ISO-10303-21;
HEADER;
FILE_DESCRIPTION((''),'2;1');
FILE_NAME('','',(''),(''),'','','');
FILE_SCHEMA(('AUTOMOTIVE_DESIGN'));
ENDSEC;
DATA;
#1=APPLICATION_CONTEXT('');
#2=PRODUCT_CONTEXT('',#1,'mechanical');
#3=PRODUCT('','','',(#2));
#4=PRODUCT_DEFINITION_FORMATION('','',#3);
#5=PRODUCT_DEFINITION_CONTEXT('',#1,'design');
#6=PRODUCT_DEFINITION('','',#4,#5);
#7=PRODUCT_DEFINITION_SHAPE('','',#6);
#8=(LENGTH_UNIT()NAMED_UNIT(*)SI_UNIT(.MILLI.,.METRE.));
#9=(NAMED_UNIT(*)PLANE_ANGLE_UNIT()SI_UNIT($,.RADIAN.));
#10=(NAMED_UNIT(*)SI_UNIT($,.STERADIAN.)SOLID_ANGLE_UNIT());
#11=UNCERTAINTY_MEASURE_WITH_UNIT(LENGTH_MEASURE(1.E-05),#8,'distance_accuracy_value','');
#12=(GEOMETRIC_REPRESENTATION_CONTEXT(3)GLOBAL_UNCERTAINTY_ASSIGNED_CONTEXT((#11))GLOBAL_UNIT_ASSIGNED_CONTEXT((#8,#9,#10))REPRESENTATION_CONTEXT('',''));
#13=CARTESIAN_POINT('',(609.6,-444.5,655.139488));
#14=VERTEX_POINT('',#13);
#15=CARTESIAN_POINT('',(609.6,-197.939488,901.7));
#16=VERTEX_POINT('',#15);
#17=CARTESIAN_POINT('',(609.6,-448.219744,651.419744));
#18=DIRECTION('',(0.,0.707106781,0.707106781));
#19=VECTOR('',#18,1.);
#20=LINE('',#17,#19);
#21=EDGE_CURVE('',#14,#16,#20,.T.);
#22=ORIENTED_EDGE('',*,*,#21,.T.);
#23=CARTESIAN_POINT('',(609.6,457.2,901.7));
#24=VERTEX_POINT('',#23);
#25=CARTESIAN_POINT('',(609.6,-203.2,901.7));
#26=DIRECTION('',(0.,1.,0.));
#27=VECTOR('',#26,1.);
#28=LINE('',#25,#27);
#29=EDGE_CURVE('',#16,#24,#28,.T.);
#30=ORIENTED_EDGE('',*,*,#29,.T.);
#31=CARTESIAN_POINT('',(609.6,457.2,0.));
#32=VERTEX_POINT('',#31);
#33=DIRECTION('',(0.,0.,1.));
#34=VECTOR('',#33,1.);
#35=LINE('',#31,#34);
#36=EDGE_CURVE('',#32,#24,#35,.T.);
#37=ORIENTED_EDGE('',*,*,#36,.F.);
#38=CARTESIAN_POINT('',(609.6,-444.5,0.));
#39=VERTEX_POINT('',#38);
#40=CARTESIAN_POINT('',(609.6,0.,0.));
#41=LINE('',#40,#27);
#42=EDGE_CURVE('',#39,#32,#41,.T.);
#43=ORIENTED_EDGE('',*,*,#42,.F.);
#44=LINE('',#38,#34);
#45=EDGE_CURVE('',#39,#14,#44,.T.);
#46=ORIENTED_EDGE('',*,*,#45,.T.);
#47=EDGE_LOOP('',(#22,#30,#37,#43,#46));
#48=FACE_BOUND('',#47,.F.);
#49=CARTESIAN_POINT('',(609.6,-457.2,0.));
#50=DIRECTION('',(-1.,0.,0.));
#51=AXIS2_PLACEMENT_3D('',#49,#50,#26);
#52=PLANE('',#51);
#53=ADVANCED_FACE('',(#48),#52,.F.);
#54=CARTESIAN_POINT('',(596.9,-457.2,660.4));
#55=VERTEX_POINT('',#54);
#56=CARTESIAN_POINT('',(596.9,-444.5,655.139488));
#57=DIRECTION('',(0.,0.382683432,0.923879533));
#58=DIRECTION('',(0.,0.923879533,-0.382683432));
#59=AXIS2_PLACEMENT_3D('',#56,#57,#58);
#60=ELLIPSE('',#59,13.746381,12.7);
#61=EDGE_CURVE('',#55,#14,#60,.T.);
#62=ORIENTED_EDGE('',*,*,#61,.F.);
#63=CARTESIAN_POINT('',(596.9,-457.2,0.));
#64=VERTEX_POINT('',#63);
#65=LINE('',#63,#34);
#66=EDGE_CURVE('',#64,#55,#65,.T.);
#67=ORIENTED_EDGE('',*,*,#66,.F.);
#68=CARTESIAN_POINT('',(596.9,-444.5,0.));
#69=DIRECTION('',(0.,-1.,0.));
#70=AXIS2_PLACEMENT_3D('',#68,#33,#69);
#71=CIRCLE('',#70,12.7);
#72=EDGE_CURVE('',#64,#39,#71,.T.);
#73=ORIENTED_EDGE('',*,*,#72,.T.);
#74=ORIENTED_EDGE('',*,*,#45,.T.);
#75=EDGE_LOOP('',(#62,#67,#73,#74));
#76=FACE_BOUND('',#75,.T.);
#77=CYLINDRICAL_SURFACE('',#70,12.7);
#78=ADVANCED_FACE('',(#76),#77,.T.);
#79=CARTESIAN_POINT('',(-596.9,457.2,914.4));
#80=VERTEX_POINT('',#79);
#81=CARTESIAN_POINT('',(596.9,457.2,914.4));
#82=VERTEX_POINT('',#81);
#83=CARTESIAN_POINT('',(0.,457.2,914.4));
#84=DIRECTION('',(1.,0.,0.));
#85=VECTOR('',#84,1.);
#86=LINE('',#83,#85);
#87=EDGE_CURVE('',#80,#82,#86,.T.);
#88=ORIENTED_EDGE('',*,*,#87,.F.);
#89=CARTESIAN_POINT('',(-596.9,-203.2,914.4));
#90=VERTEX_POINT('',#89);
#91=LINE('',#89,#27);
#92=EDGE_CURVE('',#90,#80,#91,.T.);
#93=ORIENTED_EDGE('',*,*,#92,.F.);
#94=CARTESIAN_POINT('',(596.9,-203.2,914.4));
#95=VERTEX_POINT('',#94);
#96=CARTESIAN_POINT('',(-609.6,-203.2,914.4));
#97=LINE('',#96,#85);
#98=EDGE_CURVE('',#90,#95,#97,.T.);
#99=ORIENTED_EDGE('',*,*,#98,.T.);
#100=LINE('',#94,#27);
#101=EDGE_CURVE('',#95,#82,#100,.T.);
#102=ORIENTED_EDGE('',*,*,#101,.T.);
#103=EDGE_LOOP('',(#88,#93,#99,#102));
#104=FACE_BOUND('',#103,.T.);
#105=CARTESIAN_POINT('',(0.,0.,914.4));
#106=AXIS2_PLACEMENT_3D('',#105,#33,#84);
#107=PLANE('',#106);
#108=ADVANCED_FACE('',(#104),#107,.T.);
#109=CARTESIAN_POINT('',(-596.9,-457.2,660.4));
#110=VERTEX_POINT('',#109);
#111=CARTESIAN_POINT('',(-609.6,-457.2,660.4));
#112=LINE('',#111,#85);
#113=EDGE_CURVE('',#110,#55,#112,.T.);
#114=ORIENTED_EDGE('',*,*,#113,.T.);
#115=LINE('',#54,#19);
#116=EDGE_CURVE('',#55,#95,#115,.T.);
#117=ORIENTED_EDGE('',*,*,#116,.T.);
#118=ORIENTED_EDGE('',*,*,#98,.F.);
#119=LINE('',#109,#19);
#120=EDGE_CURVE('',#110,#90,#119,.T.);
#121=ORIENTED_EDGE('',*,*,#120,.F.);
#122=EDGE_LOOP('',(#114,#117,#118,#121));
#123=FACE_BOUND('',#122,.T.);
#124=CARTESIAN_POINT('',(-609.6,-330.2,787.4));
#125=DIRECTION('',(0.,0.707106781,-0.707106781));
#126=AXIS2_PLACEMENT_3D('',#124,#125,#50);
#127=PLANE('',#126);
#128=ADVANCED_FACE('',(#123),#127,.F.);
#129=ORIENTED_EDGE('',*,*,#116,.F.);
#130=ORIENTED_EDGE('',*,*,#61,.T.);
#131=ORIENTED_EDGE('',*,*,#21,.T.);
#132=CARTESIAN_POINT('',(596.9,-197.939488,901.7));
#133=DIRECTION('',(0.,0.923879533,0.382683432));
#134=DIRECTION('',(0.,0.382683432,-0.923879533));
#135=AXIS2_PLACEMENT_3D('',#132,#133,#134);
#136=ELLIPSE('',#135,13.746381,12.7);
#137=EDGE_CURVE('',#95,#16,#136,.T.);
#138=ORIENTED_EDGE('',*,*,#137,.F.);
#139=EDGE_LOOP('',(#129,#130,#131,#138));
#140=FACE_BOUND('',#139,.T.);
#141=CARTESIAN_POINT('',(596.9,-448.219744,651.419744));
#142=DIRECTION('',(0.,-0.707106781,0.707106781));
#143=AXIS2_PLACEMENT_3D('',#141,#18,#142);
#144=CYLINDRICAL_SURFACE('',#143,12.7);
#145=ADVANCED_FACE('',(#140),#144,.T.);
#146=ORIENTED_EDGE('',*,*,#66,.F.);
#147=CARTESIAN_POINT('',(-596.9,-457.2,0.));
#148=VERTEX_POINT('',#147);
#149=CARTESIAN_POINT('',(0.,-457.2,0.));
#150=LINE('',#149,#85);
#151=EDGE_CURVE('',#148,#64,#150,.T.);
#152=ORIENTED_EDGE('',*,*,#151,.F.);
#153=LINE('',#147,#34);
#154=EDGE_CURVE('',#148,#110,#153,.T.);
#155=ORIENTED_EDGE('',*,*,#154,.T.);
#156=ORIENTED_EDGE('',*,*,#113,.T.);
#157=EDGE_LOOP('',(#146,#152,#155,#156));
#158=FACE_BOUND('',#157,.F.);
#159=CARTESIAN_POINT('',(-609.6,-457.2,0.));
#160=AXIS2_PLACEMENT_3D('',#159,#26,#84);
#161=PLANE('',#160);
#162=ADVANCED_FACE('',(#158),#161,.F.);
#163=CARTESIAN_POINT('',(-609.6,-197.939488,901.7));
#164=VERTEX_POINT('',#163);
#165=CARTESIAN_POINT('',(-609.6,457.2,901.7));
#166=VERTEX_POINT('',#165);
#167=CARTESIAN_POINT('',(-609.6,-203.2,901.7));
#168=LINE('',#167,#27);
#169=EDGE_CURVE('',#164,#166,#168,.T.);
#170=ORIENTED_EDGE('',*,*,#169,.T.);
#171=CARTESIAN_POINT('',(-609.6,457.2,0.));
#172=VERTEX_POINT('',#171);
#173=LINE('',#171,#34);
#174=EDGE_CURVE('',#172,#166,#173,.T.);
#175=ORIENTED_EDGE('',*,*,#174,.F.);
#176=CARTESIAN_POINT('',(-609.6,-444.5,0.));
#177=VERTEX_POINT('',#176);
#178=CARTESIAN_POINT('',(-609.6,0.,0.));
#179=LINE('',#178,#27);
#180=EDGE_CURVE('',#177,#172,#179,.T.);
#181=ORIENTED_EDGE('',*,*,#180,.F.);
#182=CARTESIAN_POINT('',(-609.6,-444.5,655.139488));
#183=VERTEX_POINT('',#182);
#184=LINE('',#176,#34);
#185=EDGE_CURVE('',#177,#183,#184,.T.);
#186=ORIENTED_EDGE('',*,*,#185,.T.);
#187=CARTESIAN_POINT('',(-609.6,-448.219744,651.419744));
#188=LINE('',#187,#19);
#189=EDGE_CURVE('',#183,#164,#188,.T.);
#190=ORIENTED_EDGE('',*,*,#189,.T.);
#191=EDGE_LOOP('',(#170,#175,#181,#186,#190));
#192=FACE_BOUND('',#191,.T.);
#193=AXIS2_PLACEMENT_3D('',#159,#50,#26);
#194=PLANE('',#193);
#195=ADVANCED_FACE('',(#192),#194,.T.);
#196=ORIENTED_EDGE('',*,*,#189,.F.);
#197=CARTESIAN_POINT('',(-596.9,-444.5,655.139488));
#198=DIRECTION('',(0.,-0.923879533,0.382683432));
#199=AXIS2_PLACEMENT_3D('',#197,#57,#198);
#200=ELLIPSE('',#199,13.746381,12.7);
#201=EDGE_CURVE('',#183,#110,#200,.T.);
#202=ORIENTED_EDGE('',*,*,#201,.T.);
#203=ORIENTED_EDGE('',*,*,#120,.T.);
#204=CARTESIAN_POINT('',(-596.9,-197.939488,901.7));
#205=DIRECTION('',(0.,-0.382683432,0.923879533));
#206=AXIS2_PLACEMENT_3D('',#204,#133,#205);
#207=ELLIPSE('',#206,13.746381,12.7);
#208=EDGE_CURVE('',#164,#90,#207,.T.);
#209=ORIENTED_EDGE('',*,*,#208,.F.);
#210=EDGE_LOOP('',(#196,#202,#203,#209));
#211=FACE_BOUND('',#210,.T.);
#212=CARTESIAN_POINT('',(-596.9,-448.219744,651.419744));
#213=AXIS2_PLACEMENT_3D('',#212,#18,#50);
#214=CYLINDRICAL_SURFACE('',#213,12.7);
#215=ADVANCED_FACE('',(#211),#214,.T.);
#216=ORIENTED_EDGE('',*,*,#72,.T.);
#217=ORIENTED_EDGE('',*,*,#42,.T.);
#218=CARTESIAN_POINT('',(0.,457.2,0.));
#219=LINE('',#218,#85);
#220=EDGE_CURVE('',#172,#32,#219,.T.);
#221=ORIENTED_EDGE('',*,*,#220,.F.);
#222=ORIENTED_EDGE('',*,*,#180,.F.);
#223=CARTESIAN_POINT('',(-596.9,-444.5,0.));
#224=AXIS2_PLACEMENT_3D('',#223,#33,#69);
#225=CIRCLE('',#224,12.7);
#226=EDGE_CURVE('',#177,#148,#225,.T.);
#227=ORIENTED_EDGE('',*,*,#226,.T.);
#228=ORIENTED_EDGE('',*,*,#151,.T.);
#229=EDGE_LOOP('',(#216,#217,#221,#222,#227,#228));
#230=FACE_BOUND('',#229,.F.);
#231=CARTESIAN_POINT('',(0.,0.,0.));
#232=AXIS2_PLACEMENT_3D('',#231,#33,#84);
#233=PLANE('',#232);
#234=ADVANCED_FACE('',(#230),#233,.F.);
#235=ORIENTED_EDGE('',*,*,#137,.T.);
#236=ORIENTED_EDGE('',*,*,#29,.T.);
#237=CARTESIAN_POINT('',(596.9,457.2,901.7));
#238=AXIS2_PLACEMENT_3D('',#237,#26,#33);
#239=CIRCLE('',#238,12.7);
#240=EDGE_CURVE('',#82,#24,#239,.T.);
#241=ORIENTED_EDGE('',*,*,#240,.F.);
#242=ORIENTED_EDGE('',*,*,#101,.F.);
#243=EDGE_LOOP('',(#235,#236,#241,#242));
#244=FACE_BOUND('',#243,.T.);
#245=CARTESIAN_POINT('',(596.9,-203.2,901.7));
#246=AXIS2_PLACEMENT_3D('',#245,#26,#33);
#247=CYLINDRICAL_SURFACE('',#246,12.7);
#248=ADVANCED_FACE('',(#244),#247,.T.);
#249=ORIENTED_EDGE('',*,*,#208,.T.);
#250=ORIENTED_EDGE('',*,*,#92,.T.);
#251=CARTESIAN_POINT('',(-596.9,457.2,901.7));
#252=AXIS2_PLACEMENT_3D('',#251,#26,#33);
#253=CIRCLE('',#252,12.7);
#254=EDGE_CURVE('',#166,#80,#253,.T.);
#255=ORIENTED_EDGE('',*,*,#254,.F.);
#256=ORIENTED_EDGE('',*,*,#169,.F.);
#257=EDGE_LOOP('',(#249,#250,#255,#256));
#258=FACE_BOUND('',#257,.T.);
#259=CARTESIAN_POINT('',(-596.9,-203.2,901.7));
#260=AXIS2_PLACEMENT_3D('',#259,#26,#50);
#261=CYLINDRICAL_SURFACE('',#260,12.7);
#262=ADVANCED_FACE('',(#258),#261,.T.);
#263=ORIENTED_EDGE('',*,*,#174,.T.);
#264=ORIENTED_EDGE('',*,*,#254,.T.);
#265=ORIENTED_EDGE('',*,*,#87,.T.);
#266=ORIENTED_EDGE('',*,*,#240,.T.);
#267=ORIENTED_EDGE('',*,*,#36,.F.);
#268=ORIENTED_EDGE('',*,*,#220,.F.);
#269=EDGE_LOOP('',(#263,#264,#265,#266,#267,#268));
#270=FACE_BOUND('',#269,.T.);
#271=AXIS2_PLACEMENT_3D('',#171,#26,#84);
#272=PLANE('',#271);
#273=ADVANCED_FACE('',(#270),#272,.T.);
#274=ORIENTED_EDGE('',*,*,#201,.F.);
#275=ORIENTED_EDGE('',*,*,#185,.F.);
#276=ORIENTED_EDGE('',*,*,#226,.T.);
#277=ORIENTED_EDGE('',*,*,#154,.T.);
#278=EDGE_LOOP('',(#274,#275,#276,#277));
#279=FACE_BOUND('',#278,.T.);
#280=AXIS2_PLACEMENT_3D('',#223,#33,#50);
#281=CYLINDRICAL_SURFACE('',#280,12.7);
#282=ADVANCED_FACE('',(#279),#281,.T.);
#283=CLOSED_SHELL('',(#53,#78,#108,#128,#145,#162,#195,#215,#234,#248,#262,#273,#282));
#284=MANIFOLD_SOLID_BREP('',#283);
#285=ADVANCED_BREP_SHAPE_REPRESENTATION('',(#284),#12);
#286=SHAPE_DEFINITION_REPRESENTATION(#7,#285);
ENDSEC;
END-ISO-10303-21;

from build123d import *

# Parameters (mm, degrees)
F0_W     = 1219.2
F0_H     = 914.4
F1_DEPTH = 914.4
F2_SIZE  = 254
F3_R     = 12.7


with BuildPart() as f1:
    # F0 (on Top) → F1 (new body)
    with BuildSketch(Plane.XY):
        Rectangle(F0_W, F0_H)
    extrude(amount=F1_DEPTH)

    # F2
    f2_edges = [f1.edges().sort_by_distance(p)[0] for p in [
        (0, -457.2, 914.4),
    ]]
    chamfer(f2_edges, length=F2_SIZE)

    # F3
    f3_edges = [f1.edges().sort_by_distance(p)[0] for p in [
        (609.6, 127, 914.4),
        (609.6, -330.2, 787.4),
        (609.6, -457.2, 330.2),
        (-609.6, -457.2, 330.2),
        (-609.6, -330.2, 787.4),
        (-609.6, 127, 914.4),
    ]]
    fillet(f3_edges, radius=F3_R)


solid = f1.part
